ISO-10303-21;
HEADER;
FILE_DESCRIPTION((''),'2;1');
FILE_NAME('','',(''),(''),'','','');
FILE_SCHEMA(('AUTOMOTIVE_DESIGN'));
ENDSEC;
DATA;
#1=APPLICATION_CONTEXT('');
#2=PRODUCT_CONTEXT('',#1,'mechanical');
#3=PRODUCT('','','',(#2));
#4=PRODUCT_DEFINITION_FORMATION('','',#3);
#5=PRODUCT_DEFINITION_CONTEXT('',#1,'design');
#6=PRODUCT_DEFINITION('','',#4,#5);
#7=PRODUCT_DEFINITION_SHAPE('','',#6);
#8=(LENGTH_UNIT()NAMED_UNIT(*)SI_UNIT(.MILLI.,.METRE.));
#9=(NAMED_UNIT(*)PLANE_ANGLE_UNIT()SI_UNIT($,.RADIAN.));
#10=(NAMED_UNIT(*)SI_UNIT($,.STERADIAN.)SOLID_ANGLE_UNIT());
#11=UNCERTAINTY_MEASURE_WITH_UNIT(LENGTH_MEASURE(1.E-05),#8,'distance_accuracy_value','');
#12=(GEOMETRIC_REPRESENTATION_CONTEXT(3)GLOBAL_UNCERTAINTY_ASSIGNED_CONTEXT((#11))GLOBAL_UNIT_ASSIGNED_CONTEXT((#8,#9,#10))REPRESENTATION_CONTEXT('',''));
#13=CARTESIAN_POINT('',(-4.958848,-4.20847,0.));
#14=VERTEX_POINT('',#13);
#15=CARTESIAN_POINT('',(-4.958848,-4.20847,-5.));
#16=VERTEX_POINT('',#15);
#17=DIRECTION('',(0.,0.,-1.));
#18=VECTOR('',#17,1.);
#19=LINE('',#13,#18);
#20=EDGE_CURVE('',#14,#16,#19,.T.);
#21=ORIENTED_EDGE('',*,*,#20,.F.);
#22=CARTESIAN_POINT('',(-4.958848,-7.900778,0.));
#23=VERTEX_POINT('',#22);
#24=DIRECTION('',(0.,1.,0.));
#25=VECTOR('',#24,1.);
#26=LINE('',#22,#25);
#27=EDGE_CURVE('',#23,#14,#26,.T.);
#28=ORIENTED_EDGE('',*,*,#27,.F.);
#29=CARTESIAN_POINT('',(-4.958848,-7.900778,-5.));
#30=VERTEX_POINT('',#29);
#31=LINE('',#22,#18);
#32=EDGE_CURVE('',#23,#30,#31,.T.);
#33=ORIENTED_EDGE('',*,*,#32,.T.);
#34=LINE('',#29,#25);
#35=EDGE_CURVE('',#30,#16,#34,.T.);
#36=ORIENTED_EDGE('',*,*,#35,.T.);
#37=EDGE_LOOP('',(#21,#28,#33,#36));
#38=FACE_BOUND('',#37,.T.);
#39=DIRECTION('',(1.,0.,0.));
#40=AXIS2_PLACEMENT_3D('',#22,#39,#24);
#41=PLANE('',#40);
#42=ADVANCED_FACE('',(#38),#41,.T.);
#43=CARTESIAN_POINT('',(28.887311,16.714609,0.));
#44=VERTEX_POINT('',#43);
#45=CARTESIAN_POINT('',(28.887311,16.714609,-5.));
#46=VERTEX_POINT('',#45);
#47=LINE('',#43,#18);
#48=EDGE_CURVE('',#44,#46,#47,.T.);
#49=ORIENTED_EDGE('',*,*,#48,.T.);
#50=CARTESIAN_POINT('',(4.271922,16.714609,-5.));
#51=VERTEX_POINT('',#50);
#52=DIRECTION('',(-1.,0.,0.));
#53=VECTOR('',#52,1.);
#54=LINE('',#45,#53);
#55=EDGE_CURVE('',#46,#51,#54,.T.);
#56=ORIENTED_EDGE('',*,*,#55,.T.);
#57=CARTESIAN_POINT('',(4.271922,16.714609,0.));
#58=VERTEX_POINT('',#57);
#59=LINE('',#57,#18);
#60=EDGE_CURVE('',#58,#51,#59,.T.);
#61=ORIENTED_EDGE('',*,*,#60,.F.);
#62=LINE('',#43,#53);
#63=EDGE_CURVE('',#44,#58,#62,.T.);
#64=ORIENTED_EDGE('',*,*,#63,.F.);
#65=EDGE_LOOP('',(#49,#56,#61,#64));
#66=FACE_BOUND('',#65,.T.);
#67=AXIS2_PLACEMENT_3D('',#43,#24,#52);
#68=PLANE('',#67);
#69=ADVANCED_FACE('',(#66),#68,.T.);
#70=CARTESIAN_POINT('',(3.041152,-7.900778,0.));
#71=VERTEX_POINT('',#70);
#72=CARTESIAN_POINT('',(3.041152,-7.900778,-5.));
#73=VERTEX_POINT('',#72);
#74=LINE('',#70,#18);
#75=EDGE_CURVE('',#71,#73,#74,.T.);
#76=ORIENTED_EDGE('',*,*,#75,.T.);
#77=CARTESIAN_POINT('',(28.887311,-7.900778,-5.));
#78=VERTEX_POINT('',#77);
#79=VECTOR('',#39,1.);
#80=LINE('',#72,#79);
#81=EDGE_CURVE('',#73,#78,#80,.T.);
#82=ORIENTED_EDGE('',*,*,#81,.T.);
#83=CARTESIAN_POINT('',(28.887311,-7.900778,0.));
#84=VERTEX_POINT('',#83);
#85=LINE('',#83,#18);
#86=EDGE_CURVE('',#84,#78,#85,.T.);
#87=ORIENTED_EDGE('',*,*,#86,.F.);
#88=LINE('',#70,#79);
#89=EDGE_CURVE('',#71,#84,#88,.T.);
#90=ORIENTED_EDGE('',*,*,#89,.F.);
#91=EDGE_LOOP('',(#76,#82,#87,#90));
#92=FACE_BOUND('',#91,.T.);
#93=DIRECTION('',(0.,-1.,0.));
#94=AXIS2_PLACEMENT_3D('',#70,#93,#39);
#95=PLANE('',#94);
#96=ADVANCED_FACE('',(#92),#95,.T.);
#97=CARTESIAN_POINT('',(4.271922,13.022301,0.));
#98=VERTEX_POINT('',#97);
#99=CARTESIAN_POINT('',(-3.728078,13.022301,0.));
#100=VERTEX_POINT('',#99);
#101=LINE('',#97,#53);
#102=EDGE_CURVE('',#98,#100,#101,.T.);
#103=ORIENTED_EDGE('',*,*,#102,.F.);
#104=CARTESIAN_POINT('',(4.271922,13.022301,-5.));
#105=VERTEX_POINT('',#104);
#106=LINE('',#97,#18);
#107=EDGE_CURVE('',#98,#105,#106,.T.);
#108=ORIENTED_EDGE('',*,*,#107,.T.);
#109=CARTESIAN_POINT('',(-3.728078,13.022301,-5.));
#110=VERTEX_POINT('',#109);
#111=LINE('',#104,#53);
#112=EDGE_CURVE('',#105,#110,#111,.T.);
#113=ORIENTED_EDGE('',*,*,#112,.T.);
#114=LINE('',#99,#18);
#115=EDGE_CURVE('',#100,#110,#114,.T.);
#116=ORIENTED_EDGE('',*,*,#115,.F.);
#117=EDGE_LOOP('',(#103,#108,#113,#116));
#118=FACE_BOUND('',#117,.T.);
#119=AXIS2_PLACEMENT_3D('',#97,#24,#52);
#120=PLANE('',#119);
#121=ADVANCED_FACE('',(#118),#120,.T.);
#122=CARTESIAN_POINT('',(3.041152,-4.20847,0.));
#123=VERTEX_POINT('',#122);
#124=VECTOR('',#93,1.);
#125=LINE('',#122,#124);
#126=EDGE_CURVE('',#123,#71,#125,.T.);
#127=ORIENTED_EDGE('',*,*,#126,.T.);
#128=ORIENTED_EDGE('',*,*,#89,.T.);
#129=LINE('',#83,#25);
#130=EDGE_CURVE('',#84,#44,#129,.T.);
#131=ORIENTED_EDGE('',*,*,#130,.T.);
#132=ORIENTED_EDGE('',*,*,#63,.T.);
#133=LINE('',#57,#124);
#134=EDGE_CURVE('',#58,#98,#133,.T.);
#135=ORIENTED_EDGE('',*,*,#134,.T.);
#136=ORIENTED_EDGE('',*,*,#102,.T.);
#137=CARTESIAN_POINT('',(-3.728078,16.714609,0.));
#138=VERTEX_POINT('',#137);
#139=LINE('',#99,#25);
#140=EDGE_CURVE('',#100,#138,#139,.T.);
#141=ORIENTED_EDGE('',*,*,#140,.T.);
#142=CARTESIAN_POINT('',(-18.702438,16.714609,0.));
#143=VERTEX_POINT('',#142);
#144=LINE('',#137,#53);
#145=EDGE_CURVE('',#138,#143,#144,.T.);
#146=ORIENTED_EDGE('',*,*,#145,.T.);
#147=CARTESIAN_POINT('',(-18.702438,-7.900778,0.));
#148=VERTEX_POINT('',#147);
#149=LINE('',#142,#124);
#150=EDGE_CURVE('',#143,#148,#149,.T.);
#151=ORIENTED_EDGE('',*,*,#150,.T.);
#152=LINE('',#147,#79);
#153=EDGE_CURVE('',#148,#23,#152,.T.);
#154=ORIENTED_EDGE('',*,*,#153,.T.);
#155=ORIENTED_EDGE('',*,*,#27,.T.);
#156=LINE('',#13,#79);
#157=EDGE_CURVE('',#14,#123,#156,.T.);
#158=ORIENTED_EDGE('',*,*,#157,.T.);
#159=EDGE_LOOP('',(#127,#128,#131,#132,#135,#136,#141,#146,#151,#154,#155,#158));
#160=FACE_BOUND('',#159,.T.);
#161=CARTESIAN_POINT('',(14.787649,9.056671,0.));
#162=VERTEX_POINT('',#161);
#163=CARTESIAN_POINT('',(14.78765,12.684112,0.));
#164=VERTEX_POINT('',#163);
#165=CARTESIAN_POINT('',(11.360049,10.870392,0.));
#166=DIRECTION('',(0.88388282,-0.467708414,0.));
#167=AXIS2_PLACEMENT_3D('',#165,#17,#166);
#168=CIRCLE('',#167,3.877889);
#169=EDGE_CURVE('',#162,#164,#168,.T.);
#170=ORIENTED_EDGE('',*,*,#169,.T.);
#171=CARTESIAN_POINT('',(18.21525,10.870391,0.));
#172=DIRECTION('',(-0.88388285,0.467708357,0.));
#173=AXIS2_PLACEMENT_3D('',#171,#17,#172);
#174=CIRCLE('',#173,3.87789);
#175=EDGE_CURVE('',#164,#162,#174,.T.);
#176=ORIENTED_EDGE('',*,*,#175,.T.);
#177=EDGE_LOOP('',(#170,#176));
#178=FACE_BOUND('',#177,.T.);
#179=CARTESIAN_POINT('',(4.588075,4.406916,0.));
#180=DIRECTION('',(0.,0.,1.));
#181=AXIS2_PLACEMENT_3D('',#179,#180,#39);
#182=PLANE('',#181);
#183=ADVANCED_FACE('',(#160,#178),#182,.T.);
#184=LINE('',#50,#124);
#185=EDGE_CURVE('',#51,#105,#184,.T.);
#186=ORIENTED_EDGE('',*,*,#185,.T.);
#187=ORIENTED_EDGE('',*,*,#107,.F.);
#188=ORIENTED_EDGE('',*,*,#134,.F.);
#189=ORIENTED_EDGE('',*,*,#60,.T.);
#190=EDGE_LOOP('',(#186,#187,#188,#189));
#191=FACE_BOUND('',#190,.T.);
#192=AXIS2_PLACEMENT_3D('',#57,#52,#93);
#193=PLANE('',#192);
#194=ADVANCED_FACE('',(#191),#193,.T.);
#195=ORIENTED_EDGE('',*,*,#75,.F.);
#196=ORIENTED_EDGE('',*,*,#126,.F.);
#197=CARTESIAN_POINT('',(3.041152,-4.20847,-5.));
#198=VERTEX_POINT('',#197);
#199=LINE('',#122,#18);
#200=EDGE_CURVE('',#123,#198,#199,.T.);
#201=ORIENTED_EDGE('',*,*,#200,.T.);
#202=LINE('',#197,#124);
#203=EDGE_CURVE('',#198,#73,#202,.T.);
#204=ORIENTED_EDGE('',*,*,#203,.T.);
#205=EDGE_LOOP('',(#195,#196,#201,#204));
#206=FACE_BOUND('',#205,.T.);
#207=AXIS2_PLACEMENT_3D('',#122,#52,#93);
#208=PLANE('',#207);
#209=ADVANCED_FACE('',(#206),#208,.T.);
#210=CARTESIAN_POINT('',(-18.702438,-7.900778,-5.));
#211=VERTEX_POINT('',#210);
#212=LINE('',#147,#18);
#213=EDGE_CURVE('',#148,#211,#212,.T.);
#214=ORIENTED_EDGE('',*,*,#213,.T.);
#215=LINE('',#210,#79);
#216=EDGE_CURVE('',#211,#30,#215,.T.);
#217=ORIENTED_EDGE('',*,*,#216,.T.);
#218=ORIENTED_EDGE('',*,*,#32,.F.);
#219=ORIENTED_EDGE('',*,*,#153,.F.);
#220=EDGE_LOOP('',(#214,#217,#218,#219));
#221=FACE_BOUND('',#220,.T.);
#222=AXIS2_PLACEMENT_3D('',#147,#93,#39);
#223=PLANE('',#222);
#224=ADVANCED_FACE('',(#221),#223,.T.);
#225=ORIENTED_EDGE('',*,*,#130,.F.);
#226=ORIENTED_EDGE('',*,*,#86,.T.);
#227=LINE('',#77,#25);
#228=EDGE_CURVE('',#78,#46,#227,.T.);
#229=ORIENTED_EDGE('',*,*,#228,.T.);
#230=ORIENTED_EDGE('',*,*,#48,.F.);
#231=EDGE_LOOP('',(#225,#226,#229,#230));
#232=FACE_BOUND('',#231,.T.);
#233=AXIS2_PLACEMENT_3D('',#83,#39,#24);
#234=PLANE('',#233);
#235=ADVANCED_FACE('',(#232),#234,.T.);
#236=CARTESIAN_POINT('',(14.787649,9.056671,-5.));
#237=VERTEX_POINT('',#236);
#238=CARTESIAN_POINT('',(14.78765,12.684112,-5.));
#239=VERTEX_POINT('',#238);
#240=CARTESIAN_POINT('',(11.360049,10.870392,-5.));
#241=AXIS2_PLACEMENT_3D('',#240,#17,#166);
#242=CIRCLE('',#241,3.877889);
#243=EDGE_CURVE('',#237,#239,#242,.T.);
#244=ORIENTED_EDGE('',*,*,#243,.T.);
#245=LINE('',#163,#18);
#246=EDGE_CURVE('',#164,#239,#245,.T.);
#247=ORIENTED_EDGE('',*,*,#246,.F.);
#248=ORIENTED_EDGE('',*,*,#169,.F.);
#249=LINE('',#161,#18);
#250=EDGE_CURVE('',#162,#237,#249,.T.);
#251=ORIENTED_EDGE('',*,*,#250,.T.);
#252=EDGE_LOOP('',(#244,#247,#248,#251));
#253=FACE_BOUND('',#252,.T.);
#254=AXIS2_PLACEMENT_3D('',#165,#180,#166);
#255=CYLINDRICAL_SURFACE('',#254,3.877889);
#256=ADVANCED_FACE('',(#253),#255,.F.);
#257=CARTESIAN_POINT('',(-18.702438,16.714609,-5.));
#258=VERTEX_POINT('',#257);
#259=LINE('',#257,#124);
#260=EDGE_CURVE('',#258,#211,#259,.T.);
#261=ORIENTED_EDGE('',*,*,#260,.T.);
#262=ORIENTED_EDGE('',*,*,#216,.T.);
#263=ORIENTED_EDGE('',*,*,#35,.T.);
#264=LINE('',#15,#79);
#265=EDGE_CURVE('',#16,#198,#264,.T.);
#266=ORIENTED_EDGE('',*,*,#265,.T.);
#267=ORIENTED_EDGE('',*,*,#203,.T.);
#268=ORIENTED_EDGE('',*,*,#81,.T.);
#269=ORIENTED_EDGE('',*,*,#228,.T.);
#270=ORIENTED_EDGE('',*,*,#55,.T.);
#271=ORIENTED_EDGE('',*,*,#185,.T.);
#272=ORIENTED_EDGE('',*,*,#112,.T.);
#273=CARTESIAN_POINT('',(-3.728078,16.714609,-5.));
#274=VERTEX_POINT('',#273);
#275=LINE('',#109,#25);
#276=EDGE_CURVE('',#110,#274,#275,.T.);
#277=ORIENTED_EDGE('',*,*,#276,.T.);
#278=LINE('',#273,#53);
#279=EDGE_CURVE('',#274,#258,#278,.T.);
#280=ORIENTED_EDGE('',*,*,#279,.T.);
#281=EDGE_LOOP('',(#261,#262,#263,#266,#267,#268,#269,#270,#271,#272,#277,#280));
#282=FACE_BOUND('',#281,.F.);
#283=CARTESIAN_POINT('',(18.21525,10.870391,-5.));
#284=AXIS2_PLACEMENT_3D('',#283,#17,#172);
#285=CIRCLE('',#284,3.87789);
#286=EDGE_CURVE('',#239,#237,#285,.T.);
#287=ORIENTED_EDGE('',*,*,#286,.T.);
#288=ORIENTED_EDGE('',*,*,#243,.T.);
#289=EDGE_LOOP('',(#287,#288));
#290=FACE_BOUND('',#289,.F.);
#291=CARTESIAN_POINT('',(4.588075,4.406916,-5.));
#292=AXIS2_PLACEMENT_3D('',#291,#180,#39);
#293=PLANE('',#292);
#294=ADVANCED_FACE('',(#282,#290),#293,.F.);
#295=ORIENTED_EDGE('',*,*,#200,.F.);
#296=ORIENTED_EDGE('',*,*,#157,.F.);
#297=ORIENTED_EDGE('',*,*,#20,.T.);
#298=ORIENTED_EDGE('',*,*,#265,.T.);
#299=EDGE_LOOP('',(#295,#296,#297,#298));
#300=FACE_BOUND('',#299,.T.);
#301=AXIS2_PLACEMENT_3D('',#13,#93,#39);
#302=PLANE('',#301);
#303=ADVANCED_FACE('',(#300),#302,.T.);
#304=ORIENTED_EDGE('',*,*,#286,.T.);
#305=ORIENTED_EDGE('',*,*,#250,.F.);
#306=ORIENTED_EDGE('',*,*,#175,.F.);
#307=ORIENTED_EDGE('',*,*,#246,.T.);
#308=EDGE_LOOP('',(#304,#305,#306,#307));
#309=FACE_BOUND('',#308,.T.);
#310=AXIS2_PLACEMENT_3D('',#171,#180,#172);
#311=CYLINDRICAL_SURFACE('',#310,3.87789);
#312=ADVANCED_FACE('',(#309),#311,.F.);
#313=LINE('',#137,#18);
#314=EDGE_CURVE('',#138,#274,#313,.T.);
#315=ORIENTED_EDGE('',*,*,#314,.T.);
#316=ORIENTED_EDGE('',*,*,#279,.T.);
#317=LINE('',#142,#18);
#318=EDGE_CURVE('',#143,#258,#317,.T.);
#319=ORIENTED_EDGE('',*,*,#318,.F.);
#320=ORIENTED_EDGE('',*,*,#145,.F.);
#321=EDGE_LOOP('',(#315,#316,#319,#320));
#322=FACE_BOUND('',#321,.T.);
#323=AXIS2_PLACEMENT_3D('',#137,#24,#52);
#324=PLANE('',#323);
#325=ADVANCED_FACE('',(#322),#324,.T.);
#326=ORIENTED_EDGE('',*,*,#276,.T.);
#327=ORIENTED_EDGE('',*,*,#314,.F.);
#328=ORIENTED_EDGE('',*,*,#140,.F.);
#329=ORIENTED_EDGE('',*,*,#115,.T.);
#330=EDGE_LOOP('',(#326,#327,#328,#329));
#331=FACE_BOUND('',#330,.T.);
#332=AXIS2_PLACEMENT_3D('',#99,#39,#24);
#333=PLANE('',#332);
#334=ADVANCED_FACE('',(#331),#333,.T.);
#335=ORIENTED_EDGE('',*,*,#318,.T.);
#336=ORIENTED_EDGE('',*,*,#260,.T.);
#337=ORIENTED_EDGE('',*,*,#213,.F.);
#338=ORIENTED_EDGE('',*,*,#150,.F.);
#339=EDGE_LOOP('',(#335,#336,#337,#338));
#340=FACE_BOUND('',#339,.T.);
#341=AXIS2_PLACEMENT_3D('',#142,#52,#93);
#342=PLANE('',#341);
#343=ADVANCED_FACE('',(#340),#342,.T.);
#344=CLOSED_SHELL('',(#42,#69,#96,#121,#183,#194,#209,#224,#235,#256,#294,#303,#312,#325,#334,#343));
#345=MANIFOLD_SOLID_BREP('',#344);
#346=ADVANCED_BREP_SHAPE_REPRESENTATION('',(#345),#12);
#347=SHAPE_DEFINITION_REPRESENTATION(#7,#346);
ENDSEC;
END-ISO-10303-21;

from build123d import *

# Parameters (mm, degrees)
F1_DEPTH = 5


with BuildPart() as f1:
    # F0 (on Top) → F1 (new body)
    with BuildSketch(Plane.XY):
        Polygon((-3.728078, 16.714609), (-18.702438, 16.714609), (-18.702438, -7.900778), (-4.958848, -7.900778), (-4.958848, -4.20847), (3.041152, -4.20847), (3.041152, -7.900778), (28.887311, -7.900778), (28.887311, 16.714609), (4.271922, 16.714609), (4.271922, 13.022301), (-3.728078, 13.022301), align=None)
        with BuildLine():
            ThreePointArc((14.787649, 9.056671), (7.48216, 10.870393), (14.78765, 12.684112))
            ThreePointArc((14.78765, 12.684112), (22.09314, 10.87039), (14.787649, 9.056671))
        make_face(mode=Mode.SUBTRACT)
    extrude(amount=-F1_DEPTH)


solid = f1.part
